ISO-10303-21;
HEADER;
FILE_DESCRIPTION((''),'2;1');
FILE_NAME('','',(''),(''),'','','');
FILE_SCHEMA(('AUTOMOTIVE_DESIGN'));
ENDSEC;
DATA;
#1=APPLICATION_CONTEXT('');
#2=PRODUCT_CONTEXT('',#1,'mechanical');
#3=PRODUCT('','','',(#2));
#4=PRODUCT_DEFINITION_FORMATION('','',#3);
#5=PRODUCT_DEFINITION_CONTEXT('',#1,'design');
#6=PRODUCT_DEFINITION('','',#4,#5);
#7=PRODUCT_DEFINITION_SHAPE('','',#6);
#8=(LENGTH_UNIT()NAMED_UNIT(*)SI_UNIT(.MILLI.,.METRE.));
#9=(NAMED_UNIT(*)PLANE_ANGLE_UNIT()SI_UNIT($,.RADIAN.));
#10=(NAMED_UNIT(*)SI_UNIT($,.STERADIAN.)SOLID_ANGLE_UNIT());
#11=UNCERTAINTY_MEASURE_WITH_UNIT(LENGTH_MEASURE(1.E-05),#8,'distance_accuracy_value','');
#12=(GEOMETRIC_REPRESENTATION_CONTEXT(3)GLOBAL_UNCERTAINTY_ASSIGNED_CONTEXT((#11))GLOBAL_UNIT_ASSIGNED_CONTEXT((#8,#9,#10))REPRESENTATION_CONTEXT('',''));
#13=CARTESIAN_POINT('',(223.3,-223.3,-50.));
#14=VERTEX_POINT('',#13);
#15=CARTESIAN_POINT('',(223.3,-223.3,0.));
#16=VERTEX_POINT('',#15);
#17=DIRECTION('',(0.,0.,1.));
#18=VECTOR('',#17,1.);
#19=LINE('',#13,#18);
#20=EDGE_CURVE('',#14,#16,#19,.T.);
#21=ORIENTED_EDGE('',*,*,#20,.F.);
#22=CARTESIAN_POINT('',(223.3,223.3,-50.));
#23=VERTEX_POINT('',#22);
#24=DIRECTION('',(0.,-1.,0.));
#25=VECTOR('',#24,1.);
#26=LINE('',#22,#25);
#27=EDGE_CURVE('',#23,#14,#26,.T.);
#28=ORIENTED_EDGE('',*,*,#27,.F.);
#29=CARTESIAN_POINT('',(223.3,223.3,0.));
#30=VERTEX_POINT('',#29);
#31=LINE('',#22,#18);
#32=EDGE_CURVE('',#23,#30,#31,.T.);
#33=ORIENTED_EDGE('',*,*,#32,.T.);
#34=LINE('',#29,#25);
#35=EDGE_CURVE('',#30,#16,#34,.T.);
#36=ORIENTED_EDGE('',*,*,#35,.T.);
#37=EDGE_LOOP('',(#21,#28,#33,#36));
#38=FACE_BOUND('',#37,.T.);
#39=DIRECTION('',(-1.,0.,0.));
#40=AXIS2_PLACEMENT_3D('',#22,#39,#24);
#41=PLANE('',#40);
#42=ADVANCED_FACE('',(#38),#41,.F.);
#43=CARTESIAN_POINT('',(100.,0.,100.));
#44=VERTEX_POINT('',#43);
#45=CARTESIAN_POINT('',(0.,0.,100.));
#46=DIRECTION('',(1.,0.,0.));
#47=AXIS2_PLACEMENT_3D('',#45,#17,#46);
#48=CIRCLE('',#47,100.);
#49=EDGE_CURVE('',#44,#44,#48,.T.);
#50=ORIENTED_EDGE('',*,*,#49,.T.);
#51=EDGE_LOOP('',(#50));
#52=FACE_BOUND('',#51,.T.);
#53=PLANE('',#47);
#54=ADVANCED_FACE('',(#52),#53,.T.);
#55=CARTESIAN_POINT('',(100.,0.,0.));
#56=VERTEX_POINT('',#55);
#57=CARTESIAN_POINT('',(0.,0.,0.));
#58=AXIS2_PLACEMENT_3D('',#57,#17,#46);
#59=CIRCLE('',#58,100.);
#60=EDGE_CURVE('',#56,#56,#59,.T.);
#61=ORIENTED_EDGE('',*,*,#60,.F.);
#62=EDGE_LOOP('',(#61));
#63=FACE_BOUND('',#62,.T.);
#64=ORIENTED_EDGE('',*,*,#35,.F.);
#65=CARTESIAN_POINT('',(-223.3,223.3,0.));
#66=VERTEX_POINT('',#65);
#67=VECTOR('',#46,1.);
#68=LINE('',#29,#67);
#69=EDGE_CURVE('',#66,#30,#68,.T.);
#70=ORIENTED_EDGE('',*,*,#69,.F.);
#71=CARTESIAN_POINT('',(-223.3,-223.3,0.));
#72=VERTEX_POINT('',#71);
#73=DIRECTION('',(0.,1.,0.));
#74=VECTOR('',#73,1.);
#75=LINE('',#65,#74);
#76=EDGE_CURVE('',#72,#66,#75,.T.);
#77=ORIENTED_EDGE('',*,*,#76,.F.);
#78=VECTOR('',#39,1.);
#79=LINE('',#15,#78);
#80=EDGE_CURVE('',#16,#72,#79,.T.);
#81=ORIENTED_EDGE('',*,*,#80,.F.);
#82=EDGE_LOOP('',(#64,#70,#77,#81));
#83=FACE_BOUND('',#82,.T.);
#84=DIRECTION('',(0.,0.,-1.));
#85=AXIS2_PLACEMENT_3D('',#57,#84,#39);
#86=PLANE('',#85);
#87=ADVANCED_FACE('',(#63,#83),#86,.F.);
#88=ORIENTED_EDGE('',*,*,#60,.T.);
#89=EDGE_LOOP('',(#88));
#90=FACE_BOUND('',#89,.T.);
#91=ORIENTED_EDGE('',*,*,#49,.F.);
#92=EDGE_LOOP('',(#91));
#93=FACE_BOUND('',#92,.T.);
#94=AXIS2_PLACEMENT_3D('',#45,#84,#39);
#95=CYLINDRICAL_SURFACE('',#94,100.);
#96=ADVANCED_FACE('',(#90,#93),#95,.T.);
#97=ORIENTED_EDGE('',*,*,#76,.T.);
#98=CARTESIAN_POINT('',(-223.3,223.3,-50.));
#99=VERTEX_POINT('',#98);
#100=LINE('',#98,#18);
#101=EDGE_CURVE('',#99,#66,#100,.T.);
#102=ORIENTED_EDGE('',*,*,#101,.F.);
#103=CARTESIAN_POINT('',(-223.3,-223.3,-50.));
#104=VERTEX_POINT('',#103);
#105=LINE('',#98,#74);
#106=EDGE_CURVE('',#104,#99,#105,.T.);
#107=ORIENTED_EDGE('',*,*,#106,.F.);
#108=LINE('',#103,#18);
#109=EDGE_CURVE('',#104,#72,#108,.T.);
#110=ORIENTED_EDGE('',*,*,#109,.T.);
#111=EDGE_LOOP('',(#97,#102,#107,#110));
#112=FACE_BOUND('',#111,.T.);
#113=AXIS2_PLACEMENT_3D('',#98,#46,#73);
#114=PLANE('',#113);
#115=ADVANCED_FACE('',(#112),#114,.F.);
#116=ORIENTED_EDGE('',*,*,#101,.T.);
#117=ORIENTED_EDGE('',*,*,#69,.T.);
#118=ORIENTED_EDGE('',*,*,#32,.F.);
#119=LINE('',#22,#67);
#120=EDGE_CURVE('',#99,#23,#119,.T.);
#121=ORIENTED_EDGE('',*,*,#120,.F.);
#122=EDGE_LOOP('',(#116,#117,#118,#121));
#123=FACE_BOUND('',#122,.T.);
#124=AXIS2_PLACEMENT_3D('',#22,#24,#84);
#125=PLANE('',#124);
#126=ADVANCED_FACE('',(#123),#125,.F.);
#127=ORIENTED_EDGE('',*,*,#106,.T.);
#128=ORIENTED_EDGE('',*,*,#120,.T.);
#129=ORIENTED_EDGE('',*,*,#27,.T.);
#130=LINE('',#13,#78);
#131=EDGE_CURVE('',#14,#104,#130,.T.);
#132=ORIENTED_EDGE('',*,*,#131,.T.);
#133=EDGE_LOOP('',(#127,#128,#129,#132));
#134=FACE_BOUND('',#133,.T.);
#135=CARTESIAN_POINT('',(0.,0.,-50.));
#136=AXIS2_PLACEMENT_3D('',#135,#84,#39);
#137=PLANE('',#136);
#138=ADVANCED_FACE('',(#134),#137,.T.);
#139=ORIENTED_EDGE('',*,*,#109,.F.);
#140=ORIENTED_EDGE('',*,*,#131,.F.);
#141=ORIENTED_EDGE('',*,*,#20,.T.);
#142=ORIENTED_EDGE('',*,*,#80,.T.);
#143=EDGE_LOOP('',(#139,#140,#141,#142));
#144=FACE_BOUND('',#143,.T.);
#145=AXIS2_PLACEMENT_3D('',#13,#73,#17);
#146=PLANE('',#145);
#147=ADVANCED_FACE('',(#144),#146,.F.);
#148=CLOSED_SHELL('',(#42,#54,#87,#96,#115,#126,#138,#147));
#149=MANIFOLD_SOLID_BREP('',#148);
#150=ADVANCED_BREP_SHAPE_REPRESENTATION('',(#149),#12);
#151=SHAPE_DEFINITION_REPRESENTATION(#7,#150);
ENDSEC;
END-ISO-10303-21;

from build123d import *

# Parameters (mm, degrees)
SKETCH1_R           = 100
BOSS_EXTRUDE1_DEPTH = 100
SKETCH2_W           = 446.6
SKETCH2_H           = 446.6
BOSS_EXTRUDE2_DEPTH = 50


with BuildPart() as part:
    # Sketch1 → Boss-Extrude1 (new body)
    with BuildSketch(Plane.XY):
        Circle(SKETCH1_R)
    extrude(amount=BOSS_EXTRUDE1_DEPTH)

    # Sketch2 → Boss-Extrude2 (add)
    with BuildSketch(Plane(origin=(0, 0, 0), x_dir=(-1, 0, 0), z_dir=(0, 0, -1))):
        Rectangle(SKETCH2_W, SKETCH2_H)
    extrude(amount=BOSS_EXTRUDE2_DEPTH)


solid = part.part
